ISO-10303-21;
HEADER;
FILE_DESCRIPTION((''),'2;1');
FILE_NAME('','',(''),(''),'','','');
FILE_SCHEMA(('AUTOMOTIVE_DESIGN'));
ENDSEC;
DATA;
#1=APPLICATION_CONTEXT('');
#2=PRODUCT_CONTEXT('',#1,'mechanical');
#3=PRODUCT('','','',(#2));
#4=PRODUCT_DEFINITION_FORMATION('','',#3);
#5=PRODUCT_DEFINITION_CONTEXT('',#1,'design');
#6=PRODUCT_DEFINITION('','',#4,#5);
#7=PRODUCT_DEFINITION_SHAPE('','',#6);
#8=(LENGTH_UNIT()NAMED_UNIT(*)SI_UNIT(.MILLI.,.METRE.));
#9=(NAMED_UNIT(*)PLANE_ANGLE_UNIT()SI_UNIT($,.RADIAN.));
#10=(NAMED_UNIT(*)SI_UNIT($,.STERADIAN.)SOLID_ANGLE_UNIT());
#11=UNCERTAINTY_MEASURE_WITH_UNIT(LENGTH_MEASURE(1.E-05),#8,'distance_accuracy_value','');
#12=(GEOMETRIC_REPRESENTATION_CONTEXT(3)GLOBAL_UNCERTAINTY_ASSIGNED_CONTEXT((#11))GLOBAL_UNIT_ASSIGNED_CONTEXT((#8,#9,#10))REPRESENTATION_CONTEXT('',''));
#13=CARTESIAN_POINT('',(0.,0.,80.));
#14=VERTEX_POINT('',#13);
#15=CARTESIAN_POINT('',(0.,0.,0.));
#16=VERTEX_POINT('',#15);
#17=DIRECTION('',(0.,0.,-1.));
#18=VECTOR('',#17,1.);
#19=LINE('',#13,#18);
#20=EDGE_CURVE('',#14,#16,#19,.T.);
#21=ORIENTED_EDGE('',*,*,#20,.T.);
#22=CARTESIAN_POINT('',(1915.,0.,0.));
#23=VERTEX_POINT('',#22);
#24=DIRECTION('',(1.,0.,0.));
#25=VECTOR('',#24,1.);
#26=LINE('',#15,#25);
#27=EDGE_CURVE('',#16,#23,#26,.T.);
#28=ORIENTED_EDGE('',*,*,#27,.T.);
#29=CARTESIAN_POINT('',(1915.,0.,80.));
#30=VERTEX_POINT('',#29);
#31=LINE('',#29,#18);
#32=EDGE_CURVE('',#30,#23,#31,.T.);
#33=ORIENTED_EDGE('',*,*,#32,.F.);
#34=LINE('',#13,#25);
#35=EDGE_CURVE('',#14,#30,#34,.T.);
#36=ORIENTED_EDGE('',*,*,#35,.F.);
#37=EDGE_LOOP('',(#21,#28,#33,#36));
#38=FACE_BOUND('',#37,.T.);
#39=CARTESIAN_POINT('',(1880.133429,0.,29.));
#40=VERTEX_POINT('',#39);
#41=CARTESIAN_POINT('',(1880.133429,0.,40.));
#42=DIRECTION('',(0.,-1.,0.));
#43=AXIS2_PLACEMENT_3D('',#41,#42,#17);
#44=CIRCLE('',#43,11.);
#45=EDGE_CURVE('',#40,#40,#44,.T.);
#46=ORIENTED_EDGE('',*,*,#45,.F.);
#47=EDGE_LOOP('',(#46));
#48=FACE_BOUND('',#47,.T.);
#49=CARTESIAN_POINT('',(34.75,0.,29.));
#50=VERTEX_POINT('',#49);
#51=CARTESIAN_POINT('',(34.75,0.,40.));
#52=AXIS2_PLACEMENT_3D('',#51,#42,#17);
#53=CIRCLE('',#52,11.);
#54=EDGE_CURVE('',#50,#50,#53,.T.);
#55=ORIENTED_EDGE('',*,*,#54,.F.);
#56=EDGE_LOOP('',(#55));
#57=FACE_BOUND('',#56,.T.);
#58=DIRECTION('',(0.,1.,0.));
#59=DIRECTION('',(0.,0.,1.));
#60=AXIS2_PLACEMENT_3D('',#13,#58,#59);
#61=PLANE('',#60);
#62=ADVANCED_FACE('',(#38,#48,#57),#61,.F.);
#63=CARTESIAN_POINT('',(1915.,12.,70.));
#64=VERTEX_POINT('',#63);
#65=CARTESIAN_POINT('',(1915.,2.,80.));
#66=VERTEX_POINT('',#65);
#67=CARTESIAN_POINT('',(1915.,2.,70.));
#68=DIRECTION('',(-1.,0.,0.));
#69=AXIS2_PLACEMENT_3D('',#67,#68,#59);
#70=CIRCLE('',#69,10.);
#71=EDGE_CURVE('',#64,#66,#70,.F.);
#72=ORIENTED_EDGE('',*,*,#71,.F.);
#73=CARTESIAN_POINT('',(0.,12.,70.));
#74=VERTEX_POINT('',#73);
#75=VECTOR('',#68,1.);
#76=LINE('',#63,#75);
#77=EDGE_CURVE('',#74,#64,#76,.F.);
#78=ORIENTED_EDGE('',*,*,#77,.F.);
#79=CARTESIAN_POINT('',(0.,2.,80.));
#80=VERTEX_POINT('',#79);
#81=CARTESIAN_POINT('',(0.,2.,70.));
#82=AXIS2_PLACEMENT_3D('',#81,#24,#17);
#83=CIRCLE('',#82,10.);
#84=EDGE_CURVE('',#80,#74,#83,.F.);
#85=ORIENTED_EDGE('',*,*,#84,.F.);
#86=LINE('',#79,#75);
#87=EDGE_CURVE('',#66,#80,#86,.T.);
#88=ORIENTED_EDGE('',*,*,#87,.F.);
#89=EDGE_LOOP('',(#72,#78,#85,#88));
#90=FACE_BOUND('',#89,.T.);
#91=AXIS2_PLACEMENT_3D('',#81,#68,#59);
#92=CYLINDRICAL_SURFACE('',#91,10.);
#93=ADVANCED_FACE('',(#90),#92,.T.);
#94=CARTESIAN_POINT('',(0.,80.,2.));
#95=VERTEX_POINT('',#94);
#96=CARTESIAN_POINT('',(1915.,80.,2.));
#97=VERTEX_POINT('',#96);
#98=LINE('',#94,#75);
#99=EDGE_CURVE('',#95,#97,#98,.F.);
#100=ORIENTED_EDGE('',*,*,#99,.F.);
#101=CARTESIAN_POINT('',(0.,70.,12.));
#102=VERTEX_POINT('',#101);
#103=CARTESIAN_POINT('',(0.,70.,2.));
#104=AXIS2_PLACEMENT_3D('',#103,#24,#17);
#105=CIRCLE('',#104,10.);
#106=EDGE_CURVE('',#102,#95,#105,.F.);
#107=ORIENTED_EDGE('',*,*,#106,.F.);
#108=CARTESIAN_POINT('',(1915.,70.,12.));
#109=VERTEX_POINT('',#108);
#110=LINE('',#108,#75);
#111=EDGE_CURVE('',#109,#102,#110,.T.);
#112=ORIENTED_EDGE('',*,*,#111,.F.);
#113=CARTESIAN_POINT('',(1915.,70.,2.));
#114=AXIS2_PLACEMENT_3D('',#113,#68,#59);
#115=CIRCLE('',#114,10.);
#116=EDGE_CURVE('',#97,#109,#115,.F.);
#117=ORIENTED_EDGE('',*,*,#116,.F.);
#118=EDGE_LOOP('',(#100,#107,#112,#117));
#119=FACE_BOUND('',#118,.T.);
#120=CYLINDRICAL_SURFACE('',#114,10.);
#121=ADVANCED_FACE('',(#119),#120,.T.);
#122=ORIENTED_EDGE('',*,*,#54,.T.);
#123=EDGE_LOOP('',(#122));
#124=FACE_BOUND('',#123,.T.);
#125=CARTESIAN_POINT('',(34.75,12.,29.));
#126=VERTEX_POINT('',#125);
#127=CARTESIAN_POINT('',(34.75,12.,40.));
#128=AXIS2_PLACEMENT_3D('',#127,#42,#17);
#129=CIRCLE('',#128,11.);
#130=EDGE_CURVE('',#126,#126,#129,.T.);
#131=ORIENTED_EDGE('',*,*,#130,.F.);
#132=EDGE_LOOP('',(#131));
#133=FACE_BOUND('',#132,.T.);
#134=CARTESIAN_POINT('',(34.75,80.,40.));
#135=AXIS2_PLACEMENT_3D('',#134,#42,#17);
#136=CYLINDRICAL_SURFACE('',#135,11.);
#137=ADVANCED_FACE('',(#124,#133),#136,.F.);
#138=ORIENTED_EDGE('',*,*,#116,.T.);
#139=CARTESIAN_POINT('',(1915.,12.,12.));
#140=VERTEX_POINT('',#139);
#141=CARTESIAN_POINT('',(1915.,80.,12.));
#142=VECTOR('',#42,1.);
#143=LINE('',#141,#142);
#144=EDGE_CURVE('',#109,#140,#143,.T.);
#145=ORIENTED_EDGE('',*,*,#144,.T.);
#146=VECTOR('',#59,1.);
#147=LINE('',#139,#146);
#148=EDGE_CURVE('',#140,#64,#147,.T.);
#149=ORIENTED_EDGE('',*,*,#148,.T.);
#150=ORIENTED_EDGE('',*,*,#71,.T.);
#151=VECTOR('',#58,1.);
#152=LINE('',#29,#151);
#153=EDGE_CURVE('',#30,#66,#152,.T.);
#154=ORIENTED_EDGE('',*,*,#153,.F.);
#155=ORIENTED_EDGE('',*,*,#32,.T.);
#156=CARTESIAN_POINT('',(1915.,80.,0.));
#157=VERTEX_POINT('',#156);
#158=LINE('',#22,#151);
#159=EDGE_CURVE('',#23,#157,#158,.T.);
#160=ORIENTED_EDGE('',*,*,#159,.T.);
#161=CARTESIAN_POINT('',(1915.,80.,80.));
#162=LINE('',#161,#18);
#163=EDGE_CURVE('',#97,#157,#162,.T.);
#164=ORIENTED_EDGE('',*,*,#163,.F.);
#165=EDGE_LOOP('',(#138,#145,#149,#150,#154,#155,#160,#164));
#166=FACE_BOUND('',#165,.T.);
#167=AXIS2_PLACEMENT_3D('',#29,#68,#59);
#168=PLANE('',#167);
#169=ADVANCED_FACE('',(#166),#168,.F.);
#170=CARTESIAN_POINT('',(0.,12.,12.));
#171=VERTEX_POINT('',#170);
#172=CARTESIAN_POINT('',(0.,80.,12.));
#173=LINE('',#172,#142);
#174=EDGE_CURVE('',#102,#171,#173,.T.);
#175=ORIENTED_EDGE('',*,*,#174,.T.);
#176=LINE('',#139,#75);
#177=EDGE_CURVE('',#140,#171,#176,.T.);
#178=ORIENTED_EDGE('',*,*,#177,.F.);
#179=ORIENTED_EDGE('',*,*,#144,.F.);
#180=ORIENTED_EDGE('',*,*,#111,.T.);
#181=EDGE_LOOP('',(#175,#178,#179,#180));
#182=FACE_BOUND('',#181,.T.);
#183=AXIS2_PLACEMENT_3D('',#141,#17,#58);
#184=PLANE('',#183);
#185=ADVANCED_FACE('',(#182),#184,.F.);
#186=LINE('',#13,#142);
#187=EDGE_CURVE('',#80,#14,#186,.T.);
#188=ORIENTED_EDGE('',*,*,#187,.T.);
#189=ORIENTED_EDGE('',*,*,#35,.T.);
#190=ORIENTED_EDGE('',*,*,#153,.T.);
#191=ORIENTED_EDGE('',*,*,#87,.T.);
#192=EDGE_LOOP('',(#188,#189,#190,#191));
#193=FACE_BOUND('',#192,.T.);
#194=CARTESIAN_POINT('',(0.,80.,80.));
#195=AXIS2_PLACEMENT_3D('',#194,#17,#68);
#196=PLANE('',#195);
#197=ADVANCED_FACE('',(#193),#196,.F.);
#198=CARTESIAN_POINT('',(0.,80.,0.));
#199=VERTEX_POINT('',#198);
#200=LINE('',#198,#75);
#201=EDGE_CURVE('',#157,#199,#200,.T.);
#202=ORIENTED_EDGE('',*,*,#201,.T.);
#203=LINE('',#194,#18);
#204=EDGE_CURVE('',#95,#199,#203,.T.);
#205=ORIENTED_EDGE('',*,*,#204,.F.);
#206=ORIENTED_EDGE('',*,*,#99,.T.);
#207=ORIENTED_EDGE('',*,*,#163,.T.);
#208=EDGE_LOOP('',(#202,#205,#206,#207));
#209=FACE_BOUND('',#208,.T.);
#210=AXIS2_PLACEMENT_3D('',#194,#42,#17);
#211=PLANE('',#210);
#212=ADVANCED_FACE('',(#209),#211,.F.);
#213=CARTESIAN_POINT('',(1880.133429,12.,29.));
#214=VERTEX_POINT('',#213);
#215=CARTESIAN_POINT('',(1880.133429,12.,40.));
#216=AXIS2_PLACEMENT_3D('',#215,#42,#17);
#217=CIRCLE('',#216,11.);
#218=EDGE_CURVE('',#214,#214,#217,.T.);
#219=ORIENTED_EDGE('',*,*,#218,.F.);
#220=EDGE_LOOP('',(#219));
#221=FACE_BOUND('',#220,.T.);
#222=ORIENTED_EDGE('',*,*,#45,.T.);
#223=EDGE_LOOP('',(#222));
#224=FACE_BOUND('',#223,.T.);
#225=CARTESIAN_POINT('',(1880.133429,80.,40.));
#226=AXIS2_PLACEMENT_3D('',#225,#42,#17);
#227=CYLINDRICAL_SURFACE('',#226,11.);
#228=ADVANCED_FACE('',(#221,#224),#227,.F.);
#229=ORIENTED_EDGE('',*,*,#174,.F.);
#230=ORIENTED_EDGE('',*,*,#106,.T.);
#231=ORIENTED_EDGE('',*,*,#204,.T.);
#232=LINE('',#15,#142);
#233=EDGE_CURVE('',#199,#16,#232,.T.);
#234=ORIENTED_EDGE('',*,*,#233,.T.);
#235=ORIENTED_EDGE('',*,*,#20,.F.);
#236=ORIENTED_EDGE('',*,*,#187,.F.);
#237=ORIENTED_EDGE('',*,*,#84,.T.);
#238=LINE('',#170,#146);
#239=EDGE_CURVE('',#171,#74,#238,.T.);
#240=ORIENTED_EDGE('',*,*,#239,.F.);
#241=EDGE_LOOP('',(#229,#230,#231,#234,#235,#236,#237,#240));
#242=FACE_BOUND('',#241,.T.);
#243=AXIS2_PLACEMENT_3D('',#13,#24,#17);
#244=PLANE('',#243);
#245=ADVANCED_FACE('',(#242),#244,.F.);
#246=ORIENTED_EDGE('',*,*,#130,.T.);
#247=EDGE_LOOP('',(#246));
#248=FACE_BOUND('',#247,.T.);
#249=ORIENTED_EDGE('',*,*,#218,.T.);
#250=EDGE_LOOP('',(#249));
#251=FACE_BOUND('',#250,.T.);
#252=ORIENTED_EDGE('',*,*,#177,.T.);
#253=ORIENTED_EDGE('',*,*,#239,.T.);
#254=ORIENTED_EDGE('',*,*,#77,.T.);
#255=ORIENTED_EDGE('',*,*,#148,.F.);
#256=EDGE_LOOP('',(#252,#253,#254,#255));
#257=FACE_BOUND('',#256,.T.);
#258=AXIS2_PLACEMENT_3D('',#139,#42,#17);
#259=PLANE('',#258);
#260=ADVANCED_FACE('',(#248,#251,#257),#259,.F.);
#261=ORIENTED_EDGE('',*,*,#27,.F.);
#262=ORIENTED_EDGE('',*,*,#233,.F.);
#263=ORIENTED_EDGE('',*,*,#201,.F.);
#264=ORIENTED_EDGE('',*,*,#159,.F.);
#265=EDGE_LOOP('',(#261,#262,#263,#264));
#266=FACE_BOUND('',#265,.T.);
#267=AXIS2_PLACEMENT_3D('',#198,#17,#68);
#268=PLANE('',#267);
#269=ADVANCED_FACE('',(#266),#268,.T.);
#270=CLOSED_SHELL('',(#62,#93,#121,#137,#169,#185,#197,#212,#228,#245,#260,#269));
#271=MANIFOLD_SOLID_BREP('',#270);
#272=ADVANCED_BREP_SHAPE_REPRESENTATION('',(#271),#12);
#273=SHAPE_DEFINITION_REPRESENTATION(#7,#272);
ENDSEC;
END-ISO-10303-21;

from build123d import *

# Parameters (mm, degrees)
SKETCH_1_W             = 1915
SKETCH_1_H             = 80
EXTRUDE_1_DEPTH        = 80
SKETCH_3_W             = 68
SKETCH_3_H             = 68
CUT_EXTRUDE_2_DEPTH    = 1919.339125389
FILLET_1_R             = 10
SKETCH_7_R             = 11
CUT_EXTRUDE_5_DEPTH    = 1919.339125389
PATTERN_LINEAR_3_COUNT = 2
PATTERN_LINEAR_3_PITCH = 1845.383428992


with BuildPart() as part:
    # 草图1 → 拉伸1 (new body)
    with BuildSketch(Plane.XY):
        with Locations((957.5, 40)):
            Rectangle(SKETCH_1_W, SKETCH_1_H)
    extrude(amount=EXTRUDE_1_DEPTH)

    # 草图3 → 拉伸2 (cut, through all)
    with BuildSketch(Plane.ZY):
        with Locations((46, 46)):
            Rectangle(SKETCH_3_W, SKETCH_3_H)
    extrude(amount=-CUT_EXTRUDE_2_DEPTH, mode=Mode.SUBTRACT)

    # 圆角1
    fillet_1_edges = [part.edges().sort_by_distance(p)[0] for p in [
        (957.5, 80, 12),
        (957.5, 12, 80),
    ]]
    fillet(fillet_1_edges, radius=FILLET_1_R)

    # 草图7 → 拉伸5 (cut, through all)
    with BuildSketch(Plane.XZ):
        with Locations(Location((34.75, 40, 0), (0, 0, 270))):
            Circle(SKETCH_7_R)
    cut_extrude_5 = extrude(amount=-CUT_EXTRUDE_5_DEPTH, mode=Mode.SUBTRACT)

    # 阵列(线性)3: 拉伸5 ×2
    with Locations(*[(i * PATTERN_LINEAR_3_PITCH, 0, 0) for i in range(1, PATTERN_LINEAR_3_COUNT)]):
        add(cut_extrude_5, mode=Mode.SUBTRACT)


solid = part.part
